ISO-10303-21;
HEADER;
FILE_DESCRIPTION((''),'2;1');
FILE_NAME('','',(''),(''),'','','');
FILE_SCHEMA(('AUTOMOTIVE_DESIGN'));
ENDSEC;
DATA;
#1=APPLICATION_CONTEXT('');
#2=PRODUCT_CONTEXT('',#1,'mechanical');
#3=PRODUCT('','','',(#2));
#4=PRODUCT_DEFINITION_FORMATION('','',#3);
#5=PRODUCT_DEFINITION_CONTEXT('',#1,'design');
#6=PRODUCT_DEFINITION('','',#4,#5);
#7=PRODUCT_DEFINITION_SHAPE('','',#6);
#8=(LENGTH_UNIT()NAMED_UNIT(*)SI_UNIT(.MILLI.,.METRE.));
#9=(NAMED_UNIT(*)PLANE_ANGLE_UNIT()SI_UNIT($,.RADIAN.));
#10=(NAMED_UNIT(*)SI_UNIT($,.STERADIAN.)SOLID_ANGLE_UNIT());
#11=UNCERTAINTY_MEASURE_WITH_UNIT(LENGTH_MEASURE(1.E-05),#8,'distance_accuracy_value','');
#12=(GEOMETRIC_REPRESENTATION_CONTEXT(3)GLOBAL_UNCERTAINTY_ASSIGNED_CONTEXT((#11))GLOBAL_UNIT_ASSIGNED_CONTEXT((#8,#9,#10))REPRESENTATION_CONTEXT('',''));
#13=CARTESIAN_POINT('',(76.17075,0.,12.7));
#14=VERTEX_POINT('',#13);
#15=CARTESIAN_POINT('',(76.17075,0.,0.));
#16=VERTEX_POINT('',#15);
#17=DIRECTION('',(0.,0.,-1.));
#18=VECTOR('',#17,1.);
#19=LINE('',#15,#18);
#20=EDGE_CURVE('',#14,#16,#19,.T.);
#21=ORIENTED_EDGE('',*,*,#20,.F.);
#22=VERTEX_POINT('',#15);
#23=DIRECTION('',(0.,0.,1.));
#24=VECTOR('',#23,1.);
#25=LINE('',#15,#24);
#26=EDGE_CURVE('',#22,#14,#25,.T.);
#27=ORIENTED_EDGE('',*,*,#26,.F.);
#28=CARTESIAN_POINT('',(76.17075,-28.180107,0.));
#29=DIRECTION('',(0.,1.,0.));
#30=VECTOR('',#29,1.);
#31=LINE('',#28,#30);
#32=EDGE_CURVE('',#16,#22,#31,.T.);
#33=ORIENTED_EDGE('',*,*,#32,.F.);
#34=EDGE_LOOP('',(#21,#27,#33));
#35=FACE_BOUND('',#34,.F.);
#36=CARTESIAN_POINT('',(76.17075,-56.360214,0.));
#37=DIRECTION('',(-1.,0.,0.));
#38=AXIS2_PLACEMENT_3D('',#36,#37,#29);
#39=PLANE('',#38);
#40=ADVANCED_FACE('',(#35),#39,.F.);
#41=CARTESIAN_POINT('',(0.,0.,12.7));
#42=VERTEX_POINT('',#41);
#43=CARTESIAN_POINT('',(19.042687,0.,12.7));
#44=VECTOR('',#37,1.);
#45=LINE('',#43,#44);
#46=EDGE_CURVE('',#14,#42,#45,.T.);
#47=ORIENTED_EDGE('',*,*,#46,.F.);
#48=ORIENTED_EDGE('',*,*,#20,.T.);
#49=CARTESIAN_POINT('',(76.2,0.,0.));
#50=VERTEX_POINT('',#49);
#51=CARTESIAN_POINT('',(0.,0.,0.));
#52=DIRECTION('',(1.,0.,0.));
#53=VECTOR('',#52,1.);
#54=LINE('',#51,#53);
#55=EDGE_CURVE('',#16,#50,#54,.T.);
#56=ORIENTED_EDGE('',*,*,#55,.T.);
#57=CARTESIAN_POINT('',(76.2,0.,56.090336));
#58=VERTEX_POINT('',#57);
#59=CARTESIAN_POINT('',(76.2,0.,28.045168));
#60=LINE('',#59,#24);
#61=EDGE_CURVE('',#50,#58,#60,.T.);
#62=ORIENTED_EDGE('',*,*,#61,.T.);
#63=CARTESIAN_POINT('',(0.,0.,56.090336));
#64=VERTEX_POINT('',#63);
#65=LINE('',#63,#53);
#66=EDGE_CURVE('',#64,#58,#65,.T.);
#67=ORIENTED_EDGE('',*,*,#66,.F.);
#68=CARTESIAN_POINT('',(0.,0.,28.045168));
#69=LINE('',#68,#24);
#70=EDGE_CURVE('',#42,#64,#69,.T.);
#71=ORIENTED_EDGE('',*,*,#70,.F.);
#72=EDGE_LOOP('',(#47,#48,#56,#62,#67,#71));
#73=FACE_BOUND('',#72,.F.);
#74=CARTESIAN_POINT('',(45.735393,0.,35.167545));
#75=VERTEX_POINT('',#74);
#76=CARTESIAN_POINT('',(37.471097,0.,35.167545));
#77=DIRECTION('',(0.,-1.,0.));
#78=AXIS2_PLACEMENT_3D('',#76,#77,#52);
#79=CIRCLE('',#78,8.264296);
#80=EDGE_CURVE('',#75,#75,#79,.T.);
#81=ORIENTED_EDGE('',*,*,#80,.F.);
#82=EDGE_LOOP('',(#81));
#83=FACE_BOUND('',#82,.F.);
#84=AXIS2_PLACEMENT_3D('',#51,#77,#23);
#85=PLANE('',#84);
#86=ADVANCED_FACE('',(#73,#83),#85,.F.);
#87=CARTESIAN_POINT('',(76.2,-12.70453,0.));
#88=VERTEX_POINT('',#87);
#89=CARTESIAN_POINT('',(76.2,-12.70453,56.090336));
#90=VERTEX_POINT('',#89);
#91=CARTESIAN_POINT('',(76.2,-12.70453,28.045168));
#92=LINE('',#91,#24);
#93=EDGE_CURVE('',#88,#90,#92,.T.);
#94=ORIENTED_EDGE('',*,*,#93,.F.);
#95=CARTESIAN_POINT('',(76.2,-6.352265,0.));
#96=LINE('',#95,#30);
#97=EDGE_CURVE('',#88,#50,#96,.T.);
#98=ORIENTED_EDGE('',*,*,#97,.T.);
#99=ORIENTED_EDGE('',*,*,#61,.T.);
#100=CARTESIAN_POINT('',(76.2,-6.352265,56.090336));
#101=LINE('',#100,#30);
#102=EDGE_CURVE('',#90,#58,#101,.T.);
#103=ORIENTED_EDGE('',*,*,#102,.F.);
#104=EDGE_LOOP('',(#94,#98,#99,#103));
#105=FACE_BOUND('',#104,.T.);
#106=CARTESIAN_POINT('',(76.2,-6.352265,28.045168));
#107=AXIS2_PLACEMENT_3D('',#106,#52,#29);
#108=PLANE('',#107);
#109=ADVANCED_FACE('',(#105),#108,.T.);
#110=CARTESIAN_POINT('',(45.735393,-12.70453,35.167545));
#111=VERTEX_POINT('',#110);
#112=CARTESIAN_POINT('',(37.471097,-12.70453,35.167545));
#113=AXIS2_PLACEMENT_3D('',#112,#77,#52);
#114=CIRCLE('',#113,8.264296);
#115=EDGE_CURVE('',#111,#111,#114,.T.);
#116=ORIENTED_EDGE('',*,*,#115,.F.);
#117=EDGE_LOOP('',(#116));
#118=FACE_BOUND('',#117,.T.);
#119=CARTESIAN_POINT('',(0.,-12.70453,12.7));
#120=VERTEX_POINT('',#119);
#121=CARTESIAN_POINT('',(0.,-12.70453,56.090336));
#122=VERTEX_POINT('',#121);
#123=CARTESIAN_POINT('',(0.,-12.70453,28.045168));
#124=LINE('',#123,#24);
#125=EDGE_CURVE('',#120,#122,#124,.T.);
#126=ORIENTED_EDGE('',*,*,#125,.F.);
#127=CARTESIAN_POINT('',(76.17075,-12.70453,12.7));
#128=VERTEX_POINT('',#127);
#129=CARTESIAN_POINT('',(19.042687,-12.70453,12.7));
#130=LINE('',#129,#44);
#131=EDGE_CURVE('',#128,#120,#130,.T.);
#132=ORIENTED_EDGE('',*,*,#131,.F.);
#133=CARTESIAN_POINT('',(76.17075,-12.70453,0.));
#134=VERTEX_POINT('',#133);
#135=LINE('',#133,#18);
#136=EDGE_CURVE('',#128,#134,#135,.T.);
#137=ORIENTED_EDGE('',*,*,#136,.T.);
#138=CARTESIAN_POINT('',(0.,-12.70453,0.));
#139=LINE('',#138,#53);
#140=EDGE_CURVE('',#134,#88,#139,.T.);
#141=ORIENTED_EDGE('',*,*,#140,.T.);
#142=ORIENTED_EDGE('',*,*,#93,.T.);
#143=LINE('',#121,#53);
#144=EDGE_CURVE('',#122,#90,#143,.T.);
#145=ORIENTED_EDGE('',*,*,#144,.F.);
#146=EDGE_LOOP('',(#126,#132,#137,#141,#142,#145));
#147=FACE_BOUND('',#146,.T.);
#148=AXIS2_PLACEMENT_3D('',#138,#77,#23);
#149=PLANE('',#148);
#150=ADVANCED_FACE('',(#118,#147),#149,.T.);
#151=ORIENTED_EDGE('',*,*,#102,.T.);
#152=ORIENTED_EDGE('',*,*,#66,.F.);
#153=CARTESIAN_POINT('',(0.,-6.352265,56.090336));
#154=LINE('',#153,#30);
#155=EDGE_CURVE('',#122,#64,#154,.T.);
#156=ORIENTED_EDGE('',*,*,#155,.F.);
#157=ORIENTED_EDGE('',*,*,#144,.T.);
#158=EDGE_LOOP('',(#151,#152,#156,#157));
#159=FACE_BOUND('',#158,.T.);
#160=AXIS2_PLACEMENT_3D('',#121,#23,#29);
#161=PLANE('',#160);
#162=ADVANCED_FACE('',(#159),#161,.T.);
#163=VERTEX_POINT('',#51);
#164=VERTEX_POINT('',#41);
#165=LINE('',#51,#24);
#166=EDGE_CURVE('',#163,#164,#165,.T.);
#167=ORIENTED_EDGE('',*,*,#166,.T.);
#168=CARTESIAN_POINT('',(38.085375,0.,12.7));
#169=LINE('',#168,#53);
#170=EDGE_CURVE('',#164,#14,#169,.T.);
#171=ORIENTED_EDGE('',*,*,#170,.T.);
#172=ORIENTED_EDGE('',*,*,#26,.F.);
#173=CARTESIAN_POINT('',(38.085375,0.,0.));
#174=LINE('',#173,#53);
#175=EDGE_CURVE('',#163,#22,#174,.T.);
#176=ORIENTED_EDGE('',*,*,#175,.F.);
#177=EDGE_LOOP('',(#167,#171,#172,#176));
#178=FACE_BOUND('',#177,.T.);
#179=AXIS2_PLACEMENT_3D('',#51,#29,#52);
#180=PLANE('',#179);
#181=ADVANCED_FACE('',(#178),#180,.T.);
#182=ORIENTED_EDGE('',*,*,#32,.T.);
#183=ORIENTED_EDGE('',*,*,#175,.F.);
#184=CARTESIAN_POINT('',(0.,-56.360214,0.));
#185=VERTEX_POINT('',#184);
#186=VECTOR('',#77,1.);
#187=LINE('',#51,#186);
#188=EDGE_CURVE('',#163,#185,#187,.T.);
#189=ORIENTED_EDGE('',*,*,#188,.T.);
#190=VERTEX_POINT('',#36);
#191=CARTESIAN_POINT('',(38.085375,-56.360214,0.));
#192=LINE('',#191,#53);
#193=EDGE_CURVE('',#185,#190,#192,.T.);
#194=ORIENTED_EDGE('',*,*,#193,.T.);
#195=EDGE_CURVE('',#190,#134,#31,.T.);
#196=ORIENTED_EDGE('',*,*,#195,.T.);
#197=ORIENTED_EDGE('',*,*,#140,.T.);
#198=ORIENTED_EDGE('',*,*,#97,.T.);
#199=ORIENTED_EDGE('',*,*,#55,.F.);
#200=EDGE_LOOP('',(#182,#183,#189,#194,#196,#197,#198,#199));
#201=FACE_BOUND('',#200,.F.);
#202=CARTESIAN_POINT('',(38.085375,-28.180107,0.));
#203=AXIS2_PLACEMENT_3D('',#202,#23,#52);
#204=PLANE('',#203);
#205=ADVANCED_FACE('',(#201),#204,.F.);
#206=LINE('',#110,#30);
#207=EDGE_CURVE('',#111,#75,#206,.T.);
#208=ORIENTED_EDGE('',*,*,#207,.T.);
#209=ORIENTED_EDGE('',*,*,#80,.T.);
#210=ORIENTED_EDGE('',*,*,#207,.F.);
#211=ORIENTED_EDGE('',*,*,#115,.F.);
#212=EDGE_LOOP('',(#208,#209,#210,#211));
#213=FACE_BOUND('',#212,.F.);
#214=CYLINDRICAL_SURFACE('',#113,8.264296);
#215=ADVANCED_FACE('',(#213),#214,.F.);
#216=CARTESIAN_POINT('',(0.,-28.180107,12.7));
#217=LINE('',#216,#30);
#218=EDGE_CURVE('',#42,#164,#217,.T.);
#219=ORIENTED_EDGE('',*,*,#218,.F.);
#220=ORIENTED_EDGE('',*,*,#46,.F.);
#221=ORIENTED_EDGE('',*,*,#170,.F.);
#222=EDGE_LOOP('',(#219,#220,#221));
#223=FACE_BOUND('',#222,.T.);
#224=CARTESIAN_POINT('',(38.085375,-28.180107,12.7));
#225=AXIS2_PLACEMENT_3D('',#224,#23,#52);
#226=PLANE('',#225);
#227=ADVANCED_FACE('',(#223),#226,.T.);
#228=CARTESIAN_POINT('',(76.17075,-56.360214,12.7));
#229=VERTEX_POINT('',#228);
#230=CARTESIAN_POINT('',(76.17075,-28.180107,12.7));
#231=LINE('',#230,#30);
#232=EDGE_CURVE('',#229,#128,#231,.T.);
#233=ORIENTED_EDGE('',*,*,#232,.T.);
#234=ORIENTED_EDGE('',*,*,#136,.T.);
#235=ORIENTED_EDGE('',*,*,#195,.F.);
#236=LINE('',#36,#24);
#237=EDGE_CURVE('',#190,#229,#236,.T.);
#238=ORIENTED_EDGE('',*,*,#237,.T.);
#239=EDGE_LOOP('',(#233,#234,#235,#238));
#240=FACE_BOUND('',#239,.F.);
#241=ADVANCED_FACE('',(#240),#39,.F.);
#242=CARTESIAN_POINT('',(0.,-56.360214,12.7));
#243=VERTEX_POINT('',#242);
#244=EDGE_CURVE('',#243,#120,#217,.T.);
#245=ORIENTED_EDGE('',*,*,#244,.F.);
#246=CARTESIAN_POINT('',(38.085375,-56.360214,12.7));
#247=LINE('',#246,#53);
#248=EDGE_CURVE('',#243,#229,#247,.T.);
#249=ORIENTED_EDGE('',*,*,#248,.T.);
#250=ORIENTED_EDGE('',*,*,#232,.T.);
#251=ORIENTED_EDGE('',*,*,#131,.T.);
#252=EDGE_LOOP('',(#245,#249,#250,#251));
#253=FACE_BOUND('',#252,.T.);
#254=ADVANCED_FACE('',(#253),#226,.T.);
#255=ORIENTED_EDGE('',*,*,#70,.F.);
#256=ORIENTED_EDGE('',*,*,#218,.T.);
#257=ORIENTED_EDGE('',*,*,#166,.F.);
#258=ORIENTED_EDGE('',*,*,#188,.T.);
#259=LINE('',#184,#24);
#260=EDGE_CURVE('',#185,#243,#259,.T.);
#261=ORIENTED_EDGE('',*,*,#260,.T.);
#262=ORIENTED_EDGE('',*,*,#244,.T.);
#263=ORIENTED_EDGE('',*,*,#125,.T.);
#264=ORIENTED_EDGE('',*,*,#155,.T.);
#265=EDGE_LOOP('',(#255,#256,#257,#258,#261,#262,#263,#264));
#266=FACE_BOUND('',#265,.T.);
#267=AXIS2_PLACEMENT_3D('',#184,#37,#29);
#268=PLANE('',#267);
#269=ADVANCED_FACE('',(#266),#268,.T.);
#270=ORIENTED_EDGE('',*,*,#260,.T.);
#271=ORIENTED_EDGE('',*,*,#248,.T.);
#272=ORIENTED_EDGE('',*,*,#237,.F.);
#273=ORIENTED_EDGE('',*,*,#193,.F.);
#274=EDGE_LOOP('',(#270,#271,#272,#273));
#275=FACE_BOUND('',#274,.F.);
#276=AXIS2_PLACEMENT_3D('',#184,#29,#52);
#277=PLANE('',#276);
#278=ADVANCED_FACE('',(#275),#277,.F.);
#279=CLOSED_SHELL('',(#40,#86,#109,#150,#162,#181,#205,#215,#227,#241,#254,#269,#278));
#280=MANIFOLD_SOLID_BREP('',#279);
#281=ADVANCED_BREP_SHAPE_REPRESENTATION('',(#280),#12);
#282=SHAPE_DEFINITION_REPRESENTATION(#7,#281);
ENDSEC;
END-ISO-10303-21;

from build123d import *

# Parameters (mm, degrees)
F0_W     = 12.70453
F0_H     = 56.090336
F1_DEPTH = 76.2
F2_W     = 76.17075
F2_H     = 56.360215
F3_DEPTH = 12.7
F4_R     = 8.264296
F5_DEPTH = 25.4


with BuildPart() as f1:
    # F0 (on Right) → F1 (new body)
    with BuildSketch(Plane.YZ):
        with Locations((-6.352265, 28.045168)):
            Rectangle(F0_W, F0_H)
    extrude(amount=F1_DEPTH)

    # F2 (on Top) → F3 (join)
    with BuildSketch(Plane.XY):
        with Locations((38.085375, -28.180107)):
            Rectangle(F2_W, F2_H)
    extrude(amount=F3_DEPTH)

    # F4 (on face) → F5 (cut)
    with BuildSketch(Plane.XZ.offset(12.70453)):
        with Locations((37.471097, 35.167545)):
            Circle(F4_R)
    extrude(amount=-F5_DEPTH, mode=Mode.SUBTRACT)


solid = f1.part
